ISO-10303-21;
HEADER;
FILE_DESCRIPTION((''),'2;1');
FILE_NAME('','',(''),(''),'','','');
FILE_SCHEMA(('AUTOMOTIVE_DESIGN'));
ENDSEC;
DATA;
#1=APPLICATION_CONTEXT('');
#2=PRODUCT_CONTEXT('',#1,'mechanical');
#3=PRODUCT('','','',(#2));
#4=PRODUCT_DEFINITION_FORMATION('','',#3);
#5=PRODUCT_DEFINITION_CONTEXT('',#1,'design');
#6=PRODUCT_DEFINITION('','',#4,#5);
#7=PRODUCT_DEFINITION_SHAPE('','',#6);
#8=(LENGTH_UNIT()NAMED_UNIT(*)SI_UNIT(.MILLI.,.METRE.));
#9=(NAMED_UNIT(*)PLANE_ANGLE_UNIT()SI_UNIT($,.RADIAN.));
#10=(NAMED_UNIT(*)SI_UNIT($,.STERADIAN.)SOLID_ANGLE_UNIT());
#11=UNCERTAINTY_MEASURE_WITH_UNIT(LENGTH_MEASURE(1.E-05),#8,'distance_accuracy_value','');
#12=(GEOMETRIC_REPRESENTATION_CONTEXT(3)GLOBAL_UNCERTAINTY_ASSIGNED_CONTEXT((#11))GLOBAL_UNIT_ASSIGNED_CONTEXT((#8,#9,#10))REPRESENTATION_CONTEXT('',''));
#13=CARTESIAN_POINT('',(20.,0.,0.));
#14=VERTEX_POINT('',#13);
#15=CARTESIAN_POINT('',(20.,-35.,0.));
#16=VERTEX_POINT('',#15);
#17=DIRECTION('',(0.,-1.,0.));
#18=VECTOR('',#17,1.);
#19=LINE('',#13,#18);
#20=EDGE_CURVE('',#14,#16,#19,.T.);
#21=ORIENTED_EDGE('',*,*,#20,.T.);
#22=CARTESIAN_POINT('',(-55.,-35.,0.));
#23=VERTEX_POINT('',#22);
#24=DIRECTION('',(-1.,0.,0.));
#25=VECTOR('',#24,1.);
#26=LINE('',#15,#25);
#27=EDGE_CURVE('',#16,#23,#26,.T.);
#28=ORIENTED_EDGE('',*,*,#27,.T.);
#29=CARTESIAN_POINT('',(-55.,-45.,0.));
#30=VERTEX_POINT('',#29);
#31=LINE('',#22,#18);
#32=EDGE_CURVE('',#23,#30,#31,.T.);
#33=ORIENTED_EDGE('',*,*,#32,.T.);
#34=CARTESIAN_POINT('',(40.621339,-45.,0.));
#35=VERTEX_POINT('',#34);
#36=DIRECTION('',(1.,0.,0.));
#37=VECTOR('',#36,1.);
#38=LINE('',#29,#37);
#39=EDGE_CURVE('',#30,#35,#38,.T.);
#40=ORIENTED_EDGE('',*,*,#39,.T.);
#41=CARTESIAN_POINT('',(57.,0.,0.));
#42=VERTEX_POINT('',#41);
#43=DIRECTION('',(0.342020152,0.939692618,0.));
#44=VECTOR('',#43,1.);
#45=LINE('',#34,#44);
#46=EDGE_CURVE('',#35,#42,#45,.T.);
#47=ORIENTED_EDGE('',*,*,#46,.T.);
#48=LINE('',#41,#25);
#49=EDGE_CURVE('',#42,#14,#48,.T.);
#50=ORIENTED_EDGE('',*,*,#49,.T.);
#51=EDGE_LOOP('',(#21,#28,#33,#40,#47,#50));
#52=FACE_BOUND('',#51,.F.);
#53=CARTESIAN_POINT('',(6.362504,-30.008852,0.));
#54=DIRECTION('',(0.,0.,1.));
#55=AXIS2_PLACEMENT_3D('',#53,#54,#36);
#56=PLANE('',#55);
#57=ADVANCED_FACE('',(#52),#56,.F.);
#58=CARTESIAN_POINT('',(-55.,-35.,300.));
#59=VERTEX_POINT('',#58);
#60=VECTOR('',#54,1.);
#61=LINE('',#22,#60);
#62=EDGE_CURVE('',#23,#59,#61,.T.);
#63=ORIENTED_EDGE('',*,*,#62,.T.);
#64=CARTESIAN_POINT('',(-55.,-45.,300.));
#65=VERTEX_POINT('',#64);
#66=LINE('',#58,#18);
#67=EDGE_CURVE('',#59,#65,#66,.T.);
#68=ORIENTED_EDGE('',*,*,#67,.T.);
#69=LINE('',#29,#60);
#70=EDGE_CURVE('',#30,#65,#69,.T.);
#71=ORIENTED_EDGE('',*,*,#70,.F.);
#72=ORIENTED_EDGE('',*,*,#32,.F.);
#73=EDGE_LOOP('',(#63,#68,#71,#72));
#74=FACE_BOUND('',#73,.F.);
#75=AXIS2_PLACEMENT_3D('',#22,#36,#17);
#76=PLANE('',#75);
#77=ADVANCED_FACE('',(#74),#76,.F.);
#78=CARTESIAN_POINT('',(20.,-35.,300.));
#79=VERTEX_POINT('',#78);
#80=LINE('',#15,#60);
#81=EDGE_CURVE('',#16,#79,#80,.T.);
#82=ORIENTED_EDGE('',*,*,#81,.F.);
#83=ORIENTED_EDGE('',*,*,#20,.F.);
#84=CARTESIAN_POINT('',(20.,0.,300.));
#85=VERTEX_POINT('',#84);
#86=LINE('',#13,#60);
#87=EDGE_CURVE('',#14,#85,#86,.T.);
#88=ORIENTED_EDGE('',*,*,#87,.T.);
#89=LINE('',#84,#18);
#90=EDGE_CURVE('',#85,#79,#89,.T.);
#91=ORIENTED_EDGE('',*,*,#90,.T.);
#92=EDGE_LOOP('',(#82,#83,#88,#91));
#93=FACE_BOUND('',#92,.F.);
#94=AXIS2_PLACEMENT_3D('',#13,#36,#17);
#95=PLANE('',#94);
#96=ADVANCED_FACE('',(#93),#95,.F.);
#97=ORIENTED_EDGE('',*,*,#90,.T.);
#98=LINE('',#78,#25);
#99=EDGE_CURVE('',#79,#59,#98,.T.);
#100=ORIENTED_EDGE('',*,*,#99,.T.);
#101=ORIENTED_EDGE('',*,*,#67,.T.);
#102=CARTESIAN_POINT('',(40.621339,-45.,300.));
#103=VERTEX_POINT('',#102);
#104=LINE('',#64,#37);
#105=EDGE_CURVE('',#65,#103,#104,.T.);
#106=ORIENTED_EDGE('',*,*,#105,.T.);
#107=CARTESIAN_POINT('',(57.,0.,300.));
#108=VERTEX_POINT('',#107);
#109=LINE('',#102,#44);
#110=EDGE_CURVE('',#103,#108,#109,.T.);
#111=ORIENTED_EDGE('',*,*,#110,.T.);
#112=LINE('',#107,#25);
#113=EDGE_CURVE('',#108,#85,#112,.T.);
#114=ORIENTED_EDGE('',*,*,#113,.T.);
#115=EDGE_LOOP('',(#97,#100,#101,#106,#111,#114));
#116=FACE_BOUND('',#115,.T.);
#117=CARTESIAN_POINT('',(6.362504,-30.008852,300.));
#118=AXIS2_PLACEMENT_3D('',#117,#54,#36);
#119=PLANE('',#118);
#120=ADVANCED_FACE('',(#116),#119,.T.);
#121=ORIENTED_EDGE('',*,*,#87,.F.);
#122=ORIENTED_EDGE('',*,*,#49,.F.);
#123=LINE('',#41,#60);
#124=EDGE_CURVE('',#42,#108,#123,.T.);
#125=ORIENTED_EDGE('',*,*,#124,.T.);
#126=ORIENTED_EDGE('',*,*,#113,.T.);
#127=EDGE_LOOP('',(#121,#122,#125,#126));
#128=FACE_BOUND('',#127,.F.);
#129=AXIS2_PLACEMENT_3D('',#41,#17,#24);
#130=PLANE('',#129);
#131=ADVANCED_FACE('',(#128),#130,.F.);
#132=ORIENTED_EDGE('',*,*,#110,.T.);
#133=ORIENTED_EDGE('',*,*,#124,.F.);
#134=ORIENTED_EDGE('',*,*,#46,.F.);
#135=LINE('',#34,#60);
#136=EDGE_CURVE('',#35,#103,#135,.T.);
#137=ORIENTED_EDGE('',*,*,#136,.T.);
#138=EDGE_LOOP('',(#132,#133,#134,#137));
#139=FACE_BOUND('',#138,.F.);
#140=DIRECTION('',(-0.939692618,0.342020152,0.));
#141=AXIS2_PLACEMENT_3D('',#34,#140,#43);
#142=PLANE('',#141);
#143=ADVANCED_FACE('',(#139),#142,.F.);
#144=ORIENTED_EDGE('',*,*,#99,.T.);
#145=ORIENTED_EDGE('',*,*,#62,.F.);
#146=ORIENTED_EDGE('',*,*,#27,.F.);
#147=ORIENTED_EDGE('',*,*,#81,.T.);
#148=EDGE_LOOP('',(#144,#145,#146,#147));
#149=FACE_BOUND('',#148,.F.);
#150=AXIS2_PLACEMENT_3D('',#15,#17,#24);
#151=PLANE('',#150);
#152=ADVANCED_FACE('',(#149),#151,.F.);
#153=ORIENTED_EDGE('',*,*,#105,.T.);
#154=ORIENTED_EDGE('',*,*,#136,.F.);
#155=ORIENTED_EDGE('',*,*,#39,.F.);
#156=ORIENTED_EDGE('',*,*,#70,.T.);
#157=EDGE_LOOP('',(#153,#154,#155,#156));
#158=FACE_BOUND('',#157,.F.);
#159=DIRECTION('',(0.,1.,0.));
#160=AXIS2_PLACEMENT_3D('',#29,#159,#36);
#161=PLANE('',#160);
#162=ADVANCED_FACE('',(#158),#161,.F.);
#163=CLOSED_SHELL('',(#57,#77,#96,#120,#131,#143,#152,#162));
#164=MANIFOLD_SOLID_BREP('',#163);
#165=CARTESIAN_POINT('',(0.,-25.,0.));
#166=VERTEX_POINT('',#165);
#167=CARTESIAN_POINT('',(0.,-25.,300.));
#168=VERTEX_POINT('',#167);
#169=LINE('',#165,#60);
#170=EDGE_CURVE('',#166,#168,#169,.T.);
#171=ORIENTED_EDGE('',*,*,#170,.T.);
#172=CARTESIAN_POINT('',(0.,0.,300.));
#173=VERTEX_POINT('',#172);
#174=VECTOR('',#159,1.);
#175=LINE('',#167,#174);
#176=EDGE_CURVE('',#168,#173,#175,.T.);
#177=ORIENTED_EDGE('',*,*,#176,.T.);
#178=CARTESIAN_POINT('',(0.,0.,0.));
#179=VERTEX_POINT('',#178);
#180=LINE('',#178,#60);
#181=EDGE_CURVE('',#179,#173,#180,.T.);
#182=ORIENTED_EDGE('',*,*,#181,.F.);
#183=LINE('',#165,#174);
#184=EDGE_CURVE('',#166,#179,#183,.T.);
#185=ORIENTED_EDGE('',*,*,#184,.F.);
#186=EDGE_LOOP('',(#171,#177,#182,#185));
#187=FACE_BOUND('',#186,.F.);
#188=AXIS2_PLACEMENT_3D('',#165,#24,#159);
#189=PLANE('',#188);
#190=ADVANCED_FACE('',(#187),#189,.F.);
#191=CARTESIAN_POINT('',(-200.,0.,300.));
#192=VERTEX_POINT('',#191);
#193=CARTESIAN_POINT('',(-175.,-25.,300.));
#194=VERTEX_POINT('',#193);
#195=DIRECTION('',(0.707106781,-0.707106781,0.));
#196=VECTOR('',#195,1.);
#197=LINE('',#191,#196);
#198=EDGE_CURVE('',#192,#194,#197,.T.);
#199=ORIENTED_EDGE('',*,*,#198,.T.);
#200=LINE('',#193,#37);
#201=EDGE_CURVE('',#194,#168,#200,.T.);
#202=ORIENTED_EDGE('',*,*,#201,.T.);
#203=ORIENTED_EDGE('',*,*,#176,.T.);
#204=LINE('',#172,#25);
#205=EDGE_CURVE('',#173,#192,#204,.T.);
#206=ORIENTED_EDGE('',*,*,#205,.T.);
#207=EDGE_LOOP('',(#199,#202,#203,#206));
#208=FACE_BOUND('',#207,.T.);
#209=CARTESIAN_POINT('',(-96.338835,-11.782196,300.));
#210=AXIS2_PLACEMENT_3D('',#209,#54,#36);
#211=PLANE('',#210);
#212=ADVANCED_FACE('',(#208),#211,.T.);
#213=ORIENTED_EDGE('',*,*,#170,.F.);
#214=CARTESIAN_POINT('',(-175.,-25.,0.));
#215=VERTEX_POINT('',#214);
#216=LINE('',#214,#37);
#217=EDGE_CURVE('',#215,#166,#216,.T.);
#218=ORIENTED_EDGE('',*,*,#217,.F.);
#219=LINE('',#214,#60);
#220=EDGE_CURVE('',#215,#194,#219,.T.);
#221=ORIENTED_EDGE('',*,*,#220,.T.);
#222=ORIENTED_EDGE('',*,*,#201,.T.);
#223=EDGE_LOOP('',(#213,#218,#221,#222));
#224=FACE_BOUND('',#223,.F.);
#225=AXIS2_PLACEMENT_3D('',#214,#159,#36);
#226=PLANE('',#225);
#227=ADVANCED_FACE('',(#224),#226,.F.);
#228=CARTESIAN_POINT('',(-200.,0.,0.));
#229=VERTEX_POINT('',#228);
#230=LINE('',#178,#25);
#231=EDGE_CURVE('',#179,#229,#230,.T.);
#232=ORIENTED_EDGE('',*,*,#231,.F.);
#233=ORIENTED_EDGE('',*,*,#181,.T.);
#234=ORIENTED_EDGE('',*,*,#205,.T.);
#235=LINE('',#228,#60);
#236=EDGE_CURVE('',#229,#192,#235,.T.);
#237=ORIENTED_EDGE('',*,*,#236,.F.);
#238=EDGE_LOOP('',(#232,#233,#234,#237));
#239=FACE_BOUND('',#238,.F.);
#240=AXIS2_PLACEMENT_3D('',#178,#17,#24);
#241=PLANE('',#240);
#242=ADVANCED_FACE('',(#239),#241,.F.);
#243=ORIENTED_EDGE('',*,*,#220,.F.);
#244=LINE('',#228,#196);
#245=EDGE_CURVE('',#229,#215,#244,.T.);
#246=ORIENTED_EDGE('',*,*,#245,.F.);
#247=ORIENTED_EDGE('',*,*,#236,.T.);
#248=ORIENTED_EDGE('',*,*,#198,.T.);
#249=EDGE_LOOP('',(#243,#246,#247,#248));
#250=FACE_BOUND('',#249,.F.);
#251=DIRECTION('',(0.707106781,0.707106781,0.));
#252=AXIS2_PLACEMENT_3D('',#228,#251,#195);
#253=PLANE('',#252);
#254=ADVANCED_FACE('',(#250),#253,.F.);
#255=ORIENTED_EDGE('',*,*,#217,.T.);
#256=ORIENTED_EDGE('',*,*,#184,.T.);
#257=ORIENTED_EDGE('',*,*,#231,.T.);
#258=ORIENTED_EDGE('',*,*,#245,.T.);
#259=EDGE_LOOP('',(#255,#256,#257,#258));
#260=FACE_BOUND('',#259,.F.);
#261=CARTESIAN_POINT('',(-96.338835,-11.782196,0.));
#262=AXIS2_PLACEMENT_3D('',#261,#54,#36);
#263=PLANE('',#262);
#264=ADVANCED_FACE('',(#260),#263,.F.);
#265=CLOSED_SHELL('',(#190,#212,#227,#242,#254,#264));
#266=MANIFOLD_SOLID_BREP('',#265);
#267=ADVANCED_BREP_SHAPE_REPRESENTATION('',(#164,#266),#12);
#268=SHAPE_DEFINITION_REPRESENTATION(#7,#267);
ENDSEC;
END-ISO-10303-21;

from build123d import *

# Parameters (mm, degrees)
F1_DEPTH = 300
F3_DEPTH = 300


with BuildPart() as f1:
    # F0 (on Top) → F1 (new body)
    with BuildSketch(Plane.XY):
        Polygon((0, 0), (-200, 0), (-175, -25), (0, -25), align=None)
    extrude(amount=F1_DEPTH)


with BuildPart() as f3:
    # F2 (on Top) → F3 (new body)
    with BuildSketch(Plane.XY):
        Polygon((57, 0), (20, 0), (20, -35), (-55, -35), (-55, -45), (40.621339, -45), align=None)
    extrude(amount=F3_DEPTH)


solid = Compound([f1.part, f3.part])
